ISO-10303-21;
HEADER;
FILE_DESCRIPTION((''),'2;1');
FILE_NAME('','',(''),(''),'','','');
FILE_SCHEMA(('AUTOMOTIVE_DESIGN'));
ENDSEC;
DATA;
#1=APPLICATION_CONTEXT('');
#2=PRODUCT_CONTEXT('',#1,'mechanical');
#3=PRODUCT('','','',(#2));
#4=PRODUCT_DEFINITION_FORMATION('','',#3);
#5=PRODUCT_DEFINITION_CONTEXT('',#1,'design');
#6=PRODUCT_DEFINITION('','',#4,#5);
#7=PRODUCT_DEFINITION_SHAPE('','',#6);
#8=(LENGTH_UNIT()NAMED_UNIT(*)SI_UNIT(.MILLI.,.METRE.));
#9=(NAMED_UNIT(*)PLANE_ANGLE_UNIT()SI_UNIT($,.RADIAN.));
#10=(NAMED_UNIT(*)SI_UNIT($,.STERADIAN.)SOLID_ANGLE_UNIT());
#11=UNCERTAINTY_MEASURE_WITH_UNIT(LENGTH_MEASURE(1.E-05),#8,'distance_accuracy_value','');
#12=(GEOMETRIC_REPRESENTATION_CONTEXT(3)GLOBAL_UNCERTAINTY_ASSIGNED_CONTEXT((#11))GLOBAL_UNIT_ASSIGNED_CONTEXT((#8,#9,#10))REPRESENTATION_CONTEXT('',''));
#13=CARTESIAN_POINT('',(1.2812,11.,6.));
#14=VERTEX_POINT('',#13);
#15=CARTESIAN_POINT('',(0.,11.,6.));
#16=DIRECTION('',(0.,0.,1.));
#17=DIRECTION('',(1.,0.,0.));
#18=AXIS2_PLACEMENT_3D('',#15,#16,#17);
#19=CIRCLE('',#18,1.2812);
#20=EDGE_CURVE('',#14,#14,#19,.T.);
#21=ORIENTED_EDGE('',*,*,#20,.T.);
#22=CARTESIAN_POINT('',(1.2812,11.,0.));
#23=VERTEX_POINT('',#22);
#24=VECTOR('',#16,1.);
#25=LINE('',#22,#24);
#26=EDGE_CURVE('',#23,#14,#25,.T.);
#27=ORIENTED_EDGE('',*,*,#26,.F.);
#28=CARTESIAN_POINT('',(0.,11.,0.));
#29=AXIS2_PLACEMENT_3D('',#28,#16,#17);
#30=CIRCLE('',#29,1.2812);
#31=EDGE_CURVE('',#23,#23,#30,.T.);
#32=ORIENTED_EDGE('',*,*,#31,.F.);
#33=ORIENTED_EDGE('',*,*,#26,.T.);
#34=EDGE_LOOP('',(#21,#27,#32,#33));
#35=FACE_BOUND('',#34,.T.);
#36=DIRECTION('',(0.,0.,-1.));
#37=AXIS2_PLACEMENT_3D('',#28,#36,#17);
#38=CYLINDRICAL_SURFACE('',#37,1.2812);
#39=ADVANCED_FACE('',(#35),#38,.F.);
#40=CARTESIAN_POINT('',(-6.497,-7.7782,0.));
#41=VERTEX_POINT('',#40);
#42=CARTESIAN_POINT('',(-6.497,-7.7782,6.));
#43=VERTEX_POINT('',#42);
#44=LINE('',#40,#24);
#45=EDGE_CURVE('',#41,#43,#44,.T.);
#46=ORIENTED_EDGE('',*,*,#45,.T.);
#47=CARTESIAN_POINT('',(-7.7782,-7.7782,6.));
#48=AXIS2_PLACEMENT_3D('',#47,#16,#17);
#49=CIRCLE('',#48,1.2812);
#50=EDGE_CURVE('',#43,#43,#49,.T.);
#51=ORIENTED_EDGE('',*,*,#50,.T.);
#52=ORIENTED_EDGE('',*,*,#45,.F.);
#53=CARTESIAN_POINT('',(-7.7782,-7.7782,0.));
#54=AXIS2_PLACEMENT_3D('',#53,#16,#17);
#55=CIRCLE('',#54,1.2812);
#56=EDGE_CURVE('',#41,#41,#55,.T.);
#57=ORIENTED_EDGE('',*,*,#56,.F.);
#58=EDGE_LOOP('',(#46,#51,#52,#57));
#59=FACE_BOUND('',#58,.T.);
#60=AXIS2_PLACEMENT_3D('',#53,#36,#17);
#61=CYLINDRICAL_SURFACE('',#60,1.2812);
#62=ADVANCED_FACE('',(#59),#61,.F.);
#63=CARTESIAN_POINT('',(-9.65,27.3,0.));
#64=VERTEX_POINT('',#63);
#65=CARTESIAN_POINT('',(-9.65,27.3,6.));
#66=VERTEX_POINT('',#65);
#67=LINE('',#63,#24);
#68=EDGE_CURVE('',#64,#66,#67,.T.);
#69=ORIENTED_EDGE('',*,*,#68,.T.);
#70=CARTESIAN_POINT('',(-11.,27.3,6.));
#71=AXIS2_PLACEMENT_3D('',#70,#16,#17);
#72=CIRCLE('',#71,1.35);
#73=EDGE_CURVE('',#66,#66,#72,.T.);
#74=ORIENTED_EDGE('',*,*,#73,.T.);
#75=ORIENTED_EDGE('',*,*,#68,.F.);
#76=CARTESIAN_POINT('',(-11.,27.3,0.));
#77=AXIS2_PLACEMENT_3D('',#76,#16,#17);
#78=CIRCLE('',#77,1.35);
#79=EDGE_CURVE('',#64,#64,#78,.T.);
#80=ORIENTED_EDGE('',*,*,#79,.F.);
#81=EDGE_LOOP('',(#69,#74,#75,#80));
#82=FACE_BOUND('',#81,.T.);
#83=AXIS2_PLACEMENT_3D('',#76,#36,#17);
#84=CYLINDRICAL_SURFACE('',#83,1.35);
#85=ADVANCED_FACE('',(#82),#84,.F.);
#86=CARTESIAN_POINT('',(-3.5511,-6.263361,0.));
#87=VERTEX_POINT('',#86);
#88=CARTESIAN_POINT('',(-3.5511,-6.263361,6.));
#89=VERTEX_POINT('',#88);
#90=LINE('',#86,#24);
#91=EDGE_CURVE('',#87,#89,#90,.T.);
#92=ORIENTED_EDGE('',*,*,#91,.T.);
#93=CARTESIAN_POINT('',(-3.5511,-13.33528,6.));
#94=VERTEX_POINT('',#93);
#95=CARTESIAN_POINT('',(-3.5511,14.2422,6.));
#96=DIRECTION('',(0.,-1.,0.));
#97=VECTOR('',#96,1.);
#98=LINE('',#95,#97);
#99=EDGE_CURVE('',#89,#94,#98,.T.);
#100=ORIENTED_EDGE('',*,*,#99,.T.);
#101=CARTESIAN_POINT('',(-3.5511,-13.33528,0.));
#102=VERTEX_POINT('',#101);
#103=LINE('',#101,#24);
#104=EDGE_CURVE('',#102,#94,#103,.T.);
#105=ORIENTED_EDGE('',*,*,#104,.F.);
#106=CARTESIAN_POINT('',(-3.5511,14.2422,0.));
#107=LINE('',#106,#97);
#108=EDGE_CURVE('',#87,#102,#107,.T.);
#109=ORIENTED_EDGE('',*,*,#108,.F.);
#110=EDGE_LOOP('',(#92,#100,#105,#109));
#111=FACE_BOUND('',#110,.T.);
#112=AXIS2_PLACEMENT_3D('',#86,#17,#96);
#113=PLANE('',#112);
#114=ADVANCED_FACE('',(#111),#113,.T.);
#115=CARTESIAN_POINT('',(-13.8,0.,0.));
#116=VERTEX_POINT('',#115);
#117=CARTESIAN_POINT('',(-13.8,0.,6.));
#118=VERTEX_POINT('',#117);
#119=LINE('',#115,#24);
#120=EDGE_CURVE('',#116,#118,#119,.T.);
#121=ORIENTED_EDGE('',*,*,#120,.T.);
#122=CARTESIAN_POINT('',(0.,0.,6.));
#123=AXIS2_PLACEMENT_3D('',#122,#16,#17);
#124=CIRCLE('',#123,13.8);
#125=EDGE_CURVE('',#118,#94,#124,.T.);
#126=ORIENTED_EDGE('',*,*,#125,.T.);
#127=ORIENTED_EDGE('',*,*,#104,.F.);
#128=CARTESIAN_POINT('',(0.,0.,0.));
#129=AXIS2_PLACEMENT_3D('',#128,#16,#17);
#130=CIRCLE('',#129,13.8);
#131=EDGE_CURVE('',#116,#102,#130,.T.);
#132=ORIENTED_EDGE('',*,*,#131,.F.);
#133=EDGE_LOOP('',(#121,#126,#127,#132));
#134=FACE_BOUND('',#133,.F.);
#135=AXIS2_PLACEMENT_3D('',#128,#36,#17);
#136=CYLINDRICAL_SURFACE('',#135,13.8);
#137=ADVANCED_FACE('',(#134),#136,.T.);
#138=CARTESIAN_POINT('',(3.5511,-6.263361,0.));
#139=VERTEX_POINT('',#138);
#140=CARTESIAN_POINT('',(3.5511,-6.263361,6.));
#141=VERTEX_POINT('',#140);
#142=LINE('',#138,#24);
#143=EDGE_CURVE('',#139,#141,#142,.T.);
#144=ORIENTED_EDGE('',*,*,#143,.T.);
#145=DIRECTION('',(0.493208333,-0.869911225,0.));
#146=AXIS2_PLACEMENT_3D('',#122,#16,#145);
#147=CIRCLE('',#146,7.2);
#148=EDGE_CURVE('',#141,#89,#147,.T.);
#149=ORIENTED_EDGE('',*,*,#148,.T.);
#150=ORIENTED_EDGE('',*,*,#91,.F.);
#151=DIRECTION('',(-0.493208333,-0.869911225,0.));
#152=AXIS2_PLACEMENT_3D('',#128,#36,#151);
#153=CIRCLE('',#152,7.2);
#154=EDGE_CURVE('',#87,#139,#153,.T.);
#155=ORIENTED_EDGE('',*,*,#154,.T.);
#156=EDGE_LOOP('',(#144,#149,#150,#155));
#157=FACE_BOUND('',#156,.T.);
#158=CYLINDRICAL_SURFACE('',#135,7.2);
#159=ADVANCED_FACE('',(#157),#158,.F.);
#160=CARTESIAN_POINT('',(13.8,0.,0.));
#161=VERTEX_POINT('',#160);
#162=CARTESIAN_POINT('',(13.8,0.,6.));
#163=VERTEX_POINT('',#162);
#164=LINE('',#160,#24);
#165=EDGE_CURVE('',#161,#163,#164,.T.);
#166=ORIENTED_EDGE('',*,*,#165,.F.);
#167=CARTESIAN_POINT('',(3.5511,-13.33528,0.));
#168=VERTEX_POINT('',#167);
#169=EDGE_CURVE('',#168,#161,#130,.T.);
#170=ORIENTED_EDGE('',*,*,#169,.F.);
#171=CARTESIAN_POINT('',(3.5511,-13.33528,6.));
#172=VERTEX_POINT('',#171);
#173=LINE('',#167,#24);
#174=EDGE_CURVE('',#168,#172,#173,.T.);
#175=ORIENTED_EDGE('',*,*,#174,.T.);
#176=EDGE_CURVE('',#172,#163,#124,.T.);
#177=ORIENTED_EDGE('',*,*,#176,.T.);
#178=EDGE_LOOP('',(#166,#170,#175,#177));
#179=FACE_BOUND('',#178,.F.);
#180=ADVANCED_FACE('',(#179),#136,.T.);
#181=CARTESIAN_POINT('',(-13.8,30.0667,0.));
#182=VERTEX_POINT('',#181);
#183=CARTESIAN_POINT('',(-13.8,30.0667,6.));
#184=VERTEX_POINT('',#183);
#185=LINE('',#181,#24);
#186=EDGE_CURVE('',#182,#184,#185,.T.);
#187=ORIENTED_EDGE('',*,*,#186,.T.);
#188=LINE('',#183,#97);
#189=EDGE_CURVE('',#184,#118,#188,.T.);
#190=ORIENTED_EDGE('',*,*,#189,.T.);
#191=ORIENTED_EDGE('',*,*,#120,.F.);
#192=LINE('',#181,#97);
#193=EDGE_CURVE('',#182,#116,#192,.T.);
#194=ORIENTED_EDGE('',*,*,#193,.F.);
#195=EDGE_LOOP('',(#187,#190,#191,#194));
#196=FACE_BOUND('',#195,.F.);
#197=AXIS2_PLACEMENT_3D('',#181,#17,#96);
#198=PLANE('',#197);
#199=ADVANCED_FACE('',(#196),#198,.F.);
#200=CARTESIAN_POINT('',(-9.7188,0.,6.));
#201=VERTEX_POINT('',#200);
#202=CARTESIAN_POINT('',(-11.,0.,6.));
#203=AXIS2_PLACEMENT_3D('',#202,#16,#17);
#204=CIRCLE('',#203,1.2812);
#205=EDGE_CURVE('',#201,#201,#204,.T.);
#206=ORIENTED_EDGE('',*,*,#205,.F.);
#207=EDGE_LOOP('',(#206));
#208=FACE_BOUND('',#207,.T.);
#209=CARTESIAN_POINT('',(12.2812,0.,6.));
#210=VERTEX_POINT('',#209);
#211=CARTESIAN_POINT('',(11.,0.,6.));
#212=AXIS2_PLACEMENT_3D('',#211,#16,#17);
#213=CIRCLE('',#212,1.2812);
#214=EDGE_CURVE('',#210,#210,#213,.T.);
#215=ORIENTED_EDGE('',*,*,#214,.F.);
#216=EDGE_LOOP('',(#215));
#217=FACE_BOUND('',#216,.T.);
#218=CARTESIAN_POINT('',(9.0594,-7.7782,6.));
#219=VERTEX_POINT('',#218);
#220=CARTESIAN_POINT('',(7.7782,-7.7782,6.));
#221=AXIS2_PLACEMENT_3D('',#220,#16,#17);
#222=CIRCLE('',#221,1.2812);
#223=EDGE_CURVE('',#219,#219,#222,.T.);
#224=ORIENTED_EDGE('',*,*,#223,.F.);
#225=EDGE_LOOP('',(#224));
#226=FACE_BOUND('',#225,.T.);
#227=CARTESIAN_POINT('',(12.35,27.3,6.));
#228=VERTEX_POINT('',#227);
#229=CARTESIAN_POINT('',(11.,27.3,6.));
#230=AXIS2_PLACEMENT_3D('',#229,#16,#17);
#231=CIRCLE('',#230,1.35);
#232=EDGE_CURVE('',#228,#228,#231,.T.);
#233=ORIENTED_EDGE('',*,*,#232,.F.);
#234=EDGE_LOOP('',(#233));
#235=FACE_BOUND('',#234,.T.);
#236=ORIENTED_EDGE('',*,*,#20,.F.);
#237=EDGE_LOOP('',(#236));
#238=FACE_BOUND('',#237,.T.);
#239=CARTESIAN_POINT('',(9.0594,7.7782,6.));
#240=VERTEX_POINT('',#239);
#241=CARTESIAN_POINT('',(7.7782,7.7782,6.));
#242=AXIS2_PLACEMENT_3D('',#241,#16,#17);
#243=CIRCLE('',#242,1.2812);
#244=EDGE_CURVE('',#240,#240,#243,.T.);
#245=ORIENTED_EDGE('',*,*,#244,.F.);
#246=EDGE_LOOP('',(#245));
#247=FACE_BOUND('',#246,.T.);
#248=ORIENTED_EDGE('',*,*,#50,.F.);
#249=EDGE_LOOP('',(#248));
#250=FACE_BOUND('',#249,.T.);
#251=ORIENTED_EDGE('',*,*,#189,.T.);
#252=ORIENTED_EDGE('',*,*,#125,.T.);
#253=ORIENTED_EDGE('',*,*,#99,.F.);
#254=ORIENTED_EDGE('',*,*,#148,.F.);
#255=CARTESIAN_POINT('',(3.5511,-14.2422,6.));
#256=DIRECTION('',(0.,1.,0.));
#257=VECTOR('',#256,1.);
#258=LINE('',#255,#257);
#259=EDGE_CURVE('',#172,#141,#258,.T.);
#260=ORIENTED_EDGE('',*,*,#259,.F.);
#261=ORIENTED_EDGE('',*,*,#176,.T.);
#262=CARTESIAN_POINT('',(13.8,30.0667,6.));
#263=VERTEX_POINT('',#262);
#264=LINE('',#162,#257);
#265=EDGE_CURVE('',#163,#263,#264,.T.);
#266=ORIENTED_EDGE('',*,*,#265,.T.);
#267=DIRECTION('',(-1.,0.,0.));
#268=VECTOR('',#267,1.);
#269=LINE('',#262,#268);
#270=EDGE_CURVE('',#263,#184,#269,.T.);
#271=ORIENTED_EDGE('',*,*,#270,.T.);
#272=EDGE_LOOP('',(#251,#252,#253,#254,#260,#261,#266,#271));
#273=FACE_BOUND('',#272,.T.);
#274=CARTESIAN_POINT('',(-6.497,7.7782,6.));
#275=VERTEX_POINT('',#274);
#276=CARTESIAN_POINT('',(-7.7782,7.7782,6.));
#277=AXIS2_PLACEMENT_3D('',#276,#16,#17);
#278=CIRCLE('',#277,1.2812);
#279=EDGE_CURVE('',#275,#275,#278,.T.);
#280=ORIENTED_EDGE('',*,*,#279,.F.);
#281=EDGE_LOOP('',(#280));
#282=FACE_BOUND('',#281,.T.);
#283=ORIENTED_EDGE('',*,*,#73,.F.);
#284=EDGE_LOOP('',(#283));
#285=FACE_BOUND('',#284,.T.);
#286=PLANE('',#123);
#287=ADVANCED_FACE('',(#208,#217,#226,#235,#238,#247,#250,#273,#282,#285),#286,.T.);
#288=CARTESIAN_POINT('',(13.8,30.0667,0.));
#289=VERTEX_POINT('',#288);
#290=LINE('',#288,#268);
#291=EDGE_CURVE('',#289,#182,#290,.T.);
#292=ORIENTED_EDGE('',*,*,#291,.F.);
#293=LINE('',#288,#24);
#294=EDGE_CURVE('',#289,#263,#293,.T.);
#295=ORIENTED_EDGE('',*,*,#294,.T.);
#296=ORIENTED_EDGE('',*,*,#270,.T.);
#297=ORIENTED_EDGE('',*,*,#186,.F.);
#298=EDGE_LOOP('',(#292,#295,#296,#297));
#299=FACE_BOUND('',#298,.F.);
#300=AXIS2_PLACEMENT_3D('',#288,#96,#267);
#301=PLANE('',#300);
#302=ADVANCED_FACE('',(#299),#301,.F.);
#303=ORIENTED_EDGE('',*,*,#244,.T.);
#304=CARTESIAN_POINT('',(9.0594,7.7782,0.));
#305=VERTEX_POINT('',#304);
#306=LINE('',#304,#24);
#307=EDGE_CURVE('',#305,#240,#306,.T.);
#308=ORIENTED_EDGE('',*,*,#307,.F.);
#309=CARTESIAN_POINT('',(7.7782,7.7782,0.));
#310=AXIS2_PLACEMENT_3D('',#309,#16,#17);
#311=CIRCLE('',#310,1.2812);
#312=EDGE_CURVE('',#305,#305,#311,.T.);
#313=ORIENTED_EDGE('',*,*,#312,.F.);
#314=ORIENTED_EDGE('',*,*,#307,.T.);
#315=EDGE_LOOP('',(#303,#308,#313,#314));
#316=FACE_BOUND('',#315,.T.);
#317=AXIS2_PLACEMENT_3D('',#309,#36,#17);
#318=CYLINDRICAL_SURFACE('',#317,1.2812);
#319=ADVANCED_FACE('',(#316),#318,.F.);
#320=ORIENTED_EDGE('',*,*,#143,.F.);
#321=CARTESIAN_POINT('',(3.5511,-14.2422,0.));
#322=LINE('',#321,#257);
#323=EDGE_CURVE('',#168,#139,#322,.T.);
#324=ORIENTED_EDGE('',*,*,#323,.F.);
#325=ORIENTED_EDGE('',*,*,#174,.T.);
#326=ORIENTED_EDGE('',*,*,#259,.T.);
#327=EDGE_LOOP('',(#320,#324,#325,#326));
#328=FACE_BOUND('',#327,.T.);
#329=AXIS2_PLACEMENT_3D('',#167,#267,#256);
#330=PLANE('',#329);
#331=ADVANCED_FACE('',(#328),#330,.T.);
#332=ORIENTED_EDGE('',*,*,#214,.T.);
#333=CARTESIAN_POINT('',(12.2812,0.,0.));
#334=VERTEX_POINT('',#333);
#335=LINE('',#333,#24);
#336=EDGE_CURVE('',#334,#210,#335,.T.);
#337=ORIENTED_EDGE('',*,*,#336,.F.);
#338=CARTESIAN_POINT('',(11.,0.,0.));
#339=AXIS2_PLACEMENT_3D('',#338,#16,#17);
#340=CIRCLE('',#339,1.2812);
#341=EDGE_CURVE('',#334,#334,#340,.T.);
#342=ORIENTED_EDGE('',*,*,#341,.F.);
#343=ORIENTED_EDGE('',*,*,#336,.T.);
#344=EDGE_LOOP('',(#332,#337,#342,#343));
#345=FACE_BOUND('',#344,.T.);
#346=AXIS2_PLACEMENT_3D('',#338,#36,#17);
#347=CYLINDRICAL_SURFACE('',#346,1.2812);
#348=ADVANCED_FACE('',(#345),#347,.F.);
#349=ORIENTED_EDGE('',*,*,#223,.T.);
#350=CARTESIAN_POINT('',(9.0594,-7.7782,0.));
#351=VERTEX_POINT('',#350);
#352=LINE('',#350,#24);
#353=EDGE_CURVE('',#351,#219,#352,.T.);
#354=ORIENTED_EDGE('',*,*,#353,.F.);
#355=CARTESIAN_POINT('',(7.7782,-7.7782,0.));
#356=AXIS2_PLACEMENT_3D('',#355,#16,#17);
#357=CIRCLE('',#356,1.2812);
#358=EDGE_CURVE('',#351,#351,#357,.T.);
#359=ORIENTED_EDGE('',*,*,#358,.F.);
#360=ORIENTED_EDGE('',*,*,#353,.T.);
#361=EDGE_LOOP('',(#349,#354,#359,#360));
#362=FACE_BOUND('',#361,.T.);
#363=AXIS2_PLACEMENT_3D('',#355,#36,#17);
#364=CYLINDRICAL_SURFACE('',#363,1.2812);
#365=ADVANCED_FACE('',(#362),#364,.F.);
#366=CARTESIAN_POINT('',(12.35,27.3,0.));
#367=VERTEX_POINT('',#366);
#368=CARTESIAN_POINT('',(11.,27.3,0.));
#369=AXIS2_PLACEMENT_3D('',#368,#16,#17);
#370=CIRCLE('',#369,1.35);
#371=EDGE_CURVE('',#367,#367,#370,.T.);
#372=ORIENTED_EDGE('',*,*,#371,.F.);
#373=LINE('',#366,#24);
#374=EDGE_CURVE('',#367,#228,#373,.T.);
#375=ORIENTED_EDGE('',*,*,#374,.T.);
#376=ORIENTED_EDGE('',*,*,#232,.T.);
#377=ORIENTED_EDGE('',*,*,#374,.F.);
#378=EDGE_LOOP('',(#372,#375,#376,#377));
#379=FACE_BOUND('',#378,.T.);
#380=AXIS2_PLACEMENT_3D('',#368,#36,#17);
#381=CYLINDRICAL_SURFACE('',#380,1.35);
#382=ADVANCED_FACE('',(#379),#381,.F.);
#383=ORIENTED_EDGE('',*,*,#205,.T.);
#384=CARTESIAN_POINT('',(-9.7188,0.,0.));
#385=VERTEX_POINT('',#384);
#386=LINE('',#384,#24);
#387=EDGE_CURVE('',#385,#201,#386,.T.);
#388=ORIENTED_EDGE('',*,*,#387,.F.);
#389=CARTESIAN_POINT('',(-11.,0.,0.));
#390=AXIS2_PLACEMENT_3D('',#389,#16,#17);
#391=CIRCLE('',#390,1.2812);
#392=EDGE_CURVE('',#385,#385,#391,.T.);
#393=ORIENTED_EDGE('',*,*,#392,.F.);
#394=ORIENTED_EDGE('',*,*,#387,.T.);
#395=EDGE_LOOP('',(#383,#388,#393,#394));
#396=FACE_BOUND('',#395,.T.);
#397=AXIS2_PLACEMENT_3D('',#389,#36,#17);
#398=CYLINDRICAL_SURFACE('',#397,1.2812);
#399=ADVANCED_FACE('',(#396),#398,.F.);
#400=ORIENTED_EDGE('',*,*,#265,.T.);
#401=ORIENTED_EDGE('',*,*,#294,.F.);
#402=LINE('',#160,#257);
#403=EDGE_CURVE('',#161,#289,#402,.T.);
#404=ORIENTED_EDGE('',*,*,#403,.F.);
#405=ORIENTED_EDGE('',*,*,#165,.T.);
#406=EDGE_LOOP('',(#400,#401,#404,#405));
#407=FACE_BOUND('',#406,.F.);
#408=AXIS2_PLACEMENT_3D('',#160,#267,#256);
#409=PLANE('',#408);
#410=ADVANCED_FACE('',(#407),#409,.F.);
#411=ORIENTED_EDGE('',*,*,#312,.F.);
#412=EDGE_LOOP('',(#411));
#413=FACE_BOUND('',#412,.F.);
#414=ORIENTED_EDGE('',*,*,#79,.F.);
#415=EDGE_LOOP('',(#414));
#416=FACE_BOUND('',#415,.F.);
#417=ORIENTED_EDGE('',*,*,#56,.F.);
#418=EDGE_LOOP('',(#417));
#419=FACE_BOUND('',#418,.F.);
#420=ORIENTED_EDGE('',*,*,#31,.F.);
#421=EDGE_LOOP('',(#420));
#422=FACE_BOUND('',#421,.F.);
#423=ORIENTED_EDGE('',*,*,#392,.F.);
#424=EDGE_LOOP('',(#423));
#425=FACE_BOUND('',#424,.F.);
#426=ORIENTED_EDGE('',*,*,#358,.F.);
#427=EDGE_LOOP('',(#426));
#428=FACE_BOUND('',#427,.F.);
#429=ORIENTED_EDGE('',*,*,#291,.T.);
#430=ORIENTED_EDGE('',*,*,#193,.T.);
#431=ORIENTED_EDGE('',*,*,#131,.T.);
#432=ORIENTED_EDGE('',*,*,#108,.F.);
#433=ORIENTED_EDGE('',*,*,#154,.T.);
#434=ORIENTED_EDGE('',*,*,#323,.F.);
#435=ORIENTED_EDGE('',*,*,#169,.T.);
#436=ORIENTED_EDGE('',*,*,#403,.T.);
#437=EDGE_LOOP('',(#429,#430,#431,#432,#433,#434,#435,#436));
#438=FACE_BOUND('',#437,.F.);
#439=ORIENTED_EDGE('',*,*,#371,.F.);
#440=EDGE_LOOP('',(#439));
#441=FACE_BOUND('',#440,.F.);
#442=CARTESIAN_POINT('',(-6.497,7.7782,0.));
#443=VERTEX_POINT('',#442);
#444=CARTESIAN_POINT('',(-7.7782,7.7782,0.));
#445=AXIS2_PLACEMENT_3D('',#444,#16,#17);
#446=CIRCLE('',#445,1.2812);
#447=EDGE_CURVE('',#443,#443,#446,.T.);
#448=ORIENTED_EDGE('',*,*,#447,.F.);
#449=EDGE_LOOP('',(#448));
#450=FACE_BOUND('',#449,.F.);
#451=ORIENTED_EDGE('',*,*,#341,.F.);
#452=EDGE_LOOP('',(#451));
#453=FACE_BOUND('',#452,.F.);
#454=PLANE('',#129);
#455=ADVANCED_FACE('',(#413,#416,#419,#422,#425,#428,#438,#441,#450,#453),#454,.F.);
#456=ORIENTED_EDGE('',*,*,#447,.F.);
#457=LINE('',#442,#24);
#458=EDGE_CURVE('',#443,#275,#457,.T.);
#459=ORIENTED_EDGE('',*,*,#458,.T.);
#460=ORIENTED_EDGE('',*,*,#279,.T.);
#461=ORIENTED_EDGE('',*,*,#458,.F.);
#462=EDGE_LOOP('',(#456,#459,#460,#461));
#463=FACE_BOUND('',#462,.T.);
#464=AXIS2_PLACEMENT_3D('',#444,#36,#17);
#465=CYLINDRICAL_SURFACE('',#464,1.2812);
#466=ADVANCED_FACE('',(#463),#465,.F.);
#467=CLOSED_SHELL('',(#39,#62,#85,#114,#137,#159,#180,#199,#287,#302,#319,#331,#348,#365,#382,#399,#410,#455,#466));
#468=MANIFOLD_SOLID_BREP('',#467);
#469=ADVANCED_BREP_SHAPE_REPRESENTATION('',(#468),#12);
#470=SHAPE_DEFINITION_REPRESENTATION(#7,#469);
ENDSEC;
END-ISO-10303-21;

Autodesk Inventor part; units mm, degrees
ref_plane "YZ Plane" through (0, 0, 0) normal (1, 0, 0) x (0, 1, 0)
ref_plane "XZ Plane" through (0, 0, 0) normal (0, 1, 0) x (-1, 0, 0)
ref_plane "XY Plane" through (0, 0, 0) normal (0, 0, 1) x (1, 0, 0)
ref_plane "작업 평면1" through (0, 0, 0) normal (0, 0, 1) x (1, 0, 0)
sketch "스케치1" plane through (0, 0, 0) normal (0, 0, 1) x (1, 0, 0)
  line L0 (3.5511, -14.2422) -> (3.5511, 14.2422) projected
  line L1 (-3.5511, 14.2422) -> (-3.5511, -14.2422) projected
  line L2 (-3.5511, -14.2422) -> (3.5511, -14.2422) projected
  circle A0 centre (0, 0) radius 13.8 projected
  line L3 (3.5511, 14.2422) -> (-3.5511, 14.2422) projected
  line L4 (13.8, 0) -> (13.8, 30.0667) projected
  line L5 (13.8, 30.0667) -> (-13.8, 30.0667) projected
  line L6 (-13.8, 30.0667) -> (-13.8, 0) projected
  circle A1 centre (0, 0) radius 13.8 projected
  circle A2 centre (0, 0) radius 7.2 projected
  circle A3 centre (0, -11) radius 1.2812 projected
  circle A4 centre (-7.7782, -7.7782) radius 1.2812 projected
  circle A5 centre (-11, 0) radius 1.2812 projected
  circle A6 centre (-7.7782, 7.7782) radius 1.2812 projected
  circle A7 centre (0, 11) radius 1.2812 projected
  circle A8 centre (7.7782, 7.7782) radius 1.2812 projected
  circle A9 centre (11, 0) radius 1.2812 projected
  circle A10 centre (7.7782, -7.7782) radius 1.2812 projected
  circle A11 centre (11, 27.3) radius 1.35 projected
  circle A12 centre (-11, 27.3) radius 1.35 projected
  point P0 (0, 0)
  point P1 (3.5511, -6.2634)
  point P2 (3.5511, -13.3353)
  point P3 (-3.5511, -13.3353)
  point P4 (-3.5511, -6.2634)
extrude "돌출1" add sketch "스케치1" along normal blind 6 contours L0 A2 A0 | A0 L1 A2 | A0 L0 L3 L1 L6 L5 L4 | A2 L1 A0 L0 | A0 L1 L3 L0 picked at (-2.7821, 10.0973)
properties part number "_thigh_2"
